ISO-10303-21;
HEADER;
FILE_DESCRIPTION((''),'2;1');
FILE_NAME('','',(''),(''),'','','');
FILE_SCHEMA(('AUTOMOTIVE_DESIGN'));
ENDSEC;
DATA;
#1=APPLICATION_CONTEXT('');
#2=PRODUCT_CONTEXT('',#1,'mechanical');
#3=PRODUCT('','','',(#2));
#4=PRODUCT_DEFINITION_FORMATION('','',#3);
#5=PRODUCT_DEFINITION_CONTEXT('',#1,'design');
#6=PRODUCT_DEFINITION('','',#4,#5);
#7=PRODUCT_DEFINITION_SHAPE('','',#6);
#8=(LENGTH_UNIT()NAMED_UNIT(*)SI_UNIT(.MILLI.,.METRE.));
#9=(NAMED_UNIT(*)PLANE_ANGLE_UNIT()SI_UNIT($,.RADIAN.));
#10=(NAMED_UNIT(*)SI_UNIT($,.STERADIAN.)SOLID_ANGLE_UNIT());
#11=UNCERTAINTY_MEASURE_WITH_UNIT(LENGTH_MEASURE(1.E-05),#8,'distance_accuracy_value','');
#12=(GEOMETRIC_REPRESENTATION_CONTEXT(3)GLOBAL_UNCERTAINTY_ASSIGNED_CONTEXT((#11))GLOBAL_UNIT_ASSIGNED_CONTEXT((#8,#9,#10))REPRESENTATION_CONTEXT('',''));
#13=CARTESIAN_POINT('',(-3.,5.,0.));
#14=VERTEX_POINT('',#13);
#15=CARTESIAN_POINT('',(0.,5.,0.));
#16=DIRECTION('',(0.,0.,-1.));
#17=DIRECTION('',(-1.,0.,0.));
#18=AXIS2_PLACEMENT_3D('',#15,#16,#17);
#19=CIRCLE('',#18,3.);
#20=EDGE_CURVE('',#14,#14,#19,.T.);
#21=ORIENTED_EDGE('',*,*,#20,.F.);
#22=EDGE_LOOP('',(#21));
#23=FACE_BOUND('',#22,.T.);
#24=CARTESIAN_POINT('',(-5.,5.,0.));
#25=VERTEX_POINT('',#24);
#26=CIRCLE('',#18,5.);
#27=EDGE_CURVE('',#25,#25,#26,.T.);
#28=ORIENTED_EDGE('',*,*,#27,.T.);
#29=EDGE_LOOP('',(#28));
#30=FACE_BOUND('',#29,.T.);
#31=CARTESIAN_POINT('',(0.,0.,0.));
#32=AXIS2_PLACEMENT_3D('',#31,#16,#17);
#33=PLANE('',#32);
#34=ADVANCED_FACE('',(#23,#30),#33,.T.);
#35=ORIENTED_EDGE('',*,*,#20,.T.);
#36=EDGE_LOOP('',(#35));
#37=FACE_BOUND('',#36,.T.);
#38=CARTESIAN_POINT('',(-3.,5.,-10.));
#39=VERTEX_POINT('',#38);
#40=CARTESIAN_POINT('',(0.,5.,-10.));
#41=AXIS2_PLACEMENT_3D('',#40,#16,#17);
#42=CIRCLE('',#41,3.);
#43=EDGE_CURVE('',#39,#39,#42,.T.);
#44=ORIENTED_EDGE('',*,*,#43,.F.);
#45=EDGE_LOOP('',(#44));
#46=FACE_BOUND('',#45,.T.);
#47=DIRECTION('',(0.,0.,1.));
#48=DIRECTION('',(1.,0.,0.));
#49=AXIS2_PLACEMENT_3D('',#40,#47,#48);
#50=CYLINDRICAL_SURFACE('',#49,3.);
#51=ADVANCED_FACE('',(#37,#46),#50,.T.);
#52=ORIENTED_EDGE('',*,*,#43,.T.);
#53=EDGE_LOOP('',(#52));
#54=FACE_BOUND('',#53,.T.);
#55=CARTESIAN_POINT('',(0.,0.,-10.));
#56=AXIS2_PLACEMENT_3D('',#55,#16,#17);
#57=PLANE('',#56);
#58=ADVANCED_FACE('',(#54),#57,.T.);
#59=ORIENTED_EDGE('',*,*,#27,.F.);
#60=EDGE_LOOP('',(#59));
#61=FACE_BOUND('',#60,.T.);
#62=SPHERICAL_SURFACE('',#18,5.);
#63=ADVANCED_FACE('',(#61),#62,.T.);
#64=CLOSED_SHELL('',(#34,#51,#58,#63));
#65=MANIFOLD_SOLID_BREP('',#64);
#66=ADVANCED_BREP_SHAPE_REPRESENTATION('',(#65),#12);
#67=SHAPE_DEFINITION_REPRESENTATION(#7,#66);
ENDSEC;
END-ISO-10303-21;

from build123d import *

# Parameters (mm, degrees)
REVOLVE1_ANGLE      = 180
SKETCH5_R           = 3
BOSS_EXTRUDE1_DEPTH = 10


with BuildPart() as part:
    # Sketch2 → Revolve1 (revolve)
    with BuildSketch(Plane.XY):
        with BuildLine():
            Line((0, 0), (0, 10))
            ThreePointArc((0, 10), (-5, 5), (0, 0))
        make_face()
    revolve(axis=Axis((0, 0, 0), (0, 1, 0)), revolution_arc=REVOLVE1_ANGLE)

    # Sketch5 → Boss-Extrude1 (add)
    with BuildSketch(Plane(origin=(0, 0, 0), x_dir=(-1, 0, 0), z_dir=(0, 0, -1))):
        with Locations((0, 5)):
            Circle(SKETCH5_R)
    extrude(amount=BOSS_EXTRUDE1_DEPTH)


solid = part.part
